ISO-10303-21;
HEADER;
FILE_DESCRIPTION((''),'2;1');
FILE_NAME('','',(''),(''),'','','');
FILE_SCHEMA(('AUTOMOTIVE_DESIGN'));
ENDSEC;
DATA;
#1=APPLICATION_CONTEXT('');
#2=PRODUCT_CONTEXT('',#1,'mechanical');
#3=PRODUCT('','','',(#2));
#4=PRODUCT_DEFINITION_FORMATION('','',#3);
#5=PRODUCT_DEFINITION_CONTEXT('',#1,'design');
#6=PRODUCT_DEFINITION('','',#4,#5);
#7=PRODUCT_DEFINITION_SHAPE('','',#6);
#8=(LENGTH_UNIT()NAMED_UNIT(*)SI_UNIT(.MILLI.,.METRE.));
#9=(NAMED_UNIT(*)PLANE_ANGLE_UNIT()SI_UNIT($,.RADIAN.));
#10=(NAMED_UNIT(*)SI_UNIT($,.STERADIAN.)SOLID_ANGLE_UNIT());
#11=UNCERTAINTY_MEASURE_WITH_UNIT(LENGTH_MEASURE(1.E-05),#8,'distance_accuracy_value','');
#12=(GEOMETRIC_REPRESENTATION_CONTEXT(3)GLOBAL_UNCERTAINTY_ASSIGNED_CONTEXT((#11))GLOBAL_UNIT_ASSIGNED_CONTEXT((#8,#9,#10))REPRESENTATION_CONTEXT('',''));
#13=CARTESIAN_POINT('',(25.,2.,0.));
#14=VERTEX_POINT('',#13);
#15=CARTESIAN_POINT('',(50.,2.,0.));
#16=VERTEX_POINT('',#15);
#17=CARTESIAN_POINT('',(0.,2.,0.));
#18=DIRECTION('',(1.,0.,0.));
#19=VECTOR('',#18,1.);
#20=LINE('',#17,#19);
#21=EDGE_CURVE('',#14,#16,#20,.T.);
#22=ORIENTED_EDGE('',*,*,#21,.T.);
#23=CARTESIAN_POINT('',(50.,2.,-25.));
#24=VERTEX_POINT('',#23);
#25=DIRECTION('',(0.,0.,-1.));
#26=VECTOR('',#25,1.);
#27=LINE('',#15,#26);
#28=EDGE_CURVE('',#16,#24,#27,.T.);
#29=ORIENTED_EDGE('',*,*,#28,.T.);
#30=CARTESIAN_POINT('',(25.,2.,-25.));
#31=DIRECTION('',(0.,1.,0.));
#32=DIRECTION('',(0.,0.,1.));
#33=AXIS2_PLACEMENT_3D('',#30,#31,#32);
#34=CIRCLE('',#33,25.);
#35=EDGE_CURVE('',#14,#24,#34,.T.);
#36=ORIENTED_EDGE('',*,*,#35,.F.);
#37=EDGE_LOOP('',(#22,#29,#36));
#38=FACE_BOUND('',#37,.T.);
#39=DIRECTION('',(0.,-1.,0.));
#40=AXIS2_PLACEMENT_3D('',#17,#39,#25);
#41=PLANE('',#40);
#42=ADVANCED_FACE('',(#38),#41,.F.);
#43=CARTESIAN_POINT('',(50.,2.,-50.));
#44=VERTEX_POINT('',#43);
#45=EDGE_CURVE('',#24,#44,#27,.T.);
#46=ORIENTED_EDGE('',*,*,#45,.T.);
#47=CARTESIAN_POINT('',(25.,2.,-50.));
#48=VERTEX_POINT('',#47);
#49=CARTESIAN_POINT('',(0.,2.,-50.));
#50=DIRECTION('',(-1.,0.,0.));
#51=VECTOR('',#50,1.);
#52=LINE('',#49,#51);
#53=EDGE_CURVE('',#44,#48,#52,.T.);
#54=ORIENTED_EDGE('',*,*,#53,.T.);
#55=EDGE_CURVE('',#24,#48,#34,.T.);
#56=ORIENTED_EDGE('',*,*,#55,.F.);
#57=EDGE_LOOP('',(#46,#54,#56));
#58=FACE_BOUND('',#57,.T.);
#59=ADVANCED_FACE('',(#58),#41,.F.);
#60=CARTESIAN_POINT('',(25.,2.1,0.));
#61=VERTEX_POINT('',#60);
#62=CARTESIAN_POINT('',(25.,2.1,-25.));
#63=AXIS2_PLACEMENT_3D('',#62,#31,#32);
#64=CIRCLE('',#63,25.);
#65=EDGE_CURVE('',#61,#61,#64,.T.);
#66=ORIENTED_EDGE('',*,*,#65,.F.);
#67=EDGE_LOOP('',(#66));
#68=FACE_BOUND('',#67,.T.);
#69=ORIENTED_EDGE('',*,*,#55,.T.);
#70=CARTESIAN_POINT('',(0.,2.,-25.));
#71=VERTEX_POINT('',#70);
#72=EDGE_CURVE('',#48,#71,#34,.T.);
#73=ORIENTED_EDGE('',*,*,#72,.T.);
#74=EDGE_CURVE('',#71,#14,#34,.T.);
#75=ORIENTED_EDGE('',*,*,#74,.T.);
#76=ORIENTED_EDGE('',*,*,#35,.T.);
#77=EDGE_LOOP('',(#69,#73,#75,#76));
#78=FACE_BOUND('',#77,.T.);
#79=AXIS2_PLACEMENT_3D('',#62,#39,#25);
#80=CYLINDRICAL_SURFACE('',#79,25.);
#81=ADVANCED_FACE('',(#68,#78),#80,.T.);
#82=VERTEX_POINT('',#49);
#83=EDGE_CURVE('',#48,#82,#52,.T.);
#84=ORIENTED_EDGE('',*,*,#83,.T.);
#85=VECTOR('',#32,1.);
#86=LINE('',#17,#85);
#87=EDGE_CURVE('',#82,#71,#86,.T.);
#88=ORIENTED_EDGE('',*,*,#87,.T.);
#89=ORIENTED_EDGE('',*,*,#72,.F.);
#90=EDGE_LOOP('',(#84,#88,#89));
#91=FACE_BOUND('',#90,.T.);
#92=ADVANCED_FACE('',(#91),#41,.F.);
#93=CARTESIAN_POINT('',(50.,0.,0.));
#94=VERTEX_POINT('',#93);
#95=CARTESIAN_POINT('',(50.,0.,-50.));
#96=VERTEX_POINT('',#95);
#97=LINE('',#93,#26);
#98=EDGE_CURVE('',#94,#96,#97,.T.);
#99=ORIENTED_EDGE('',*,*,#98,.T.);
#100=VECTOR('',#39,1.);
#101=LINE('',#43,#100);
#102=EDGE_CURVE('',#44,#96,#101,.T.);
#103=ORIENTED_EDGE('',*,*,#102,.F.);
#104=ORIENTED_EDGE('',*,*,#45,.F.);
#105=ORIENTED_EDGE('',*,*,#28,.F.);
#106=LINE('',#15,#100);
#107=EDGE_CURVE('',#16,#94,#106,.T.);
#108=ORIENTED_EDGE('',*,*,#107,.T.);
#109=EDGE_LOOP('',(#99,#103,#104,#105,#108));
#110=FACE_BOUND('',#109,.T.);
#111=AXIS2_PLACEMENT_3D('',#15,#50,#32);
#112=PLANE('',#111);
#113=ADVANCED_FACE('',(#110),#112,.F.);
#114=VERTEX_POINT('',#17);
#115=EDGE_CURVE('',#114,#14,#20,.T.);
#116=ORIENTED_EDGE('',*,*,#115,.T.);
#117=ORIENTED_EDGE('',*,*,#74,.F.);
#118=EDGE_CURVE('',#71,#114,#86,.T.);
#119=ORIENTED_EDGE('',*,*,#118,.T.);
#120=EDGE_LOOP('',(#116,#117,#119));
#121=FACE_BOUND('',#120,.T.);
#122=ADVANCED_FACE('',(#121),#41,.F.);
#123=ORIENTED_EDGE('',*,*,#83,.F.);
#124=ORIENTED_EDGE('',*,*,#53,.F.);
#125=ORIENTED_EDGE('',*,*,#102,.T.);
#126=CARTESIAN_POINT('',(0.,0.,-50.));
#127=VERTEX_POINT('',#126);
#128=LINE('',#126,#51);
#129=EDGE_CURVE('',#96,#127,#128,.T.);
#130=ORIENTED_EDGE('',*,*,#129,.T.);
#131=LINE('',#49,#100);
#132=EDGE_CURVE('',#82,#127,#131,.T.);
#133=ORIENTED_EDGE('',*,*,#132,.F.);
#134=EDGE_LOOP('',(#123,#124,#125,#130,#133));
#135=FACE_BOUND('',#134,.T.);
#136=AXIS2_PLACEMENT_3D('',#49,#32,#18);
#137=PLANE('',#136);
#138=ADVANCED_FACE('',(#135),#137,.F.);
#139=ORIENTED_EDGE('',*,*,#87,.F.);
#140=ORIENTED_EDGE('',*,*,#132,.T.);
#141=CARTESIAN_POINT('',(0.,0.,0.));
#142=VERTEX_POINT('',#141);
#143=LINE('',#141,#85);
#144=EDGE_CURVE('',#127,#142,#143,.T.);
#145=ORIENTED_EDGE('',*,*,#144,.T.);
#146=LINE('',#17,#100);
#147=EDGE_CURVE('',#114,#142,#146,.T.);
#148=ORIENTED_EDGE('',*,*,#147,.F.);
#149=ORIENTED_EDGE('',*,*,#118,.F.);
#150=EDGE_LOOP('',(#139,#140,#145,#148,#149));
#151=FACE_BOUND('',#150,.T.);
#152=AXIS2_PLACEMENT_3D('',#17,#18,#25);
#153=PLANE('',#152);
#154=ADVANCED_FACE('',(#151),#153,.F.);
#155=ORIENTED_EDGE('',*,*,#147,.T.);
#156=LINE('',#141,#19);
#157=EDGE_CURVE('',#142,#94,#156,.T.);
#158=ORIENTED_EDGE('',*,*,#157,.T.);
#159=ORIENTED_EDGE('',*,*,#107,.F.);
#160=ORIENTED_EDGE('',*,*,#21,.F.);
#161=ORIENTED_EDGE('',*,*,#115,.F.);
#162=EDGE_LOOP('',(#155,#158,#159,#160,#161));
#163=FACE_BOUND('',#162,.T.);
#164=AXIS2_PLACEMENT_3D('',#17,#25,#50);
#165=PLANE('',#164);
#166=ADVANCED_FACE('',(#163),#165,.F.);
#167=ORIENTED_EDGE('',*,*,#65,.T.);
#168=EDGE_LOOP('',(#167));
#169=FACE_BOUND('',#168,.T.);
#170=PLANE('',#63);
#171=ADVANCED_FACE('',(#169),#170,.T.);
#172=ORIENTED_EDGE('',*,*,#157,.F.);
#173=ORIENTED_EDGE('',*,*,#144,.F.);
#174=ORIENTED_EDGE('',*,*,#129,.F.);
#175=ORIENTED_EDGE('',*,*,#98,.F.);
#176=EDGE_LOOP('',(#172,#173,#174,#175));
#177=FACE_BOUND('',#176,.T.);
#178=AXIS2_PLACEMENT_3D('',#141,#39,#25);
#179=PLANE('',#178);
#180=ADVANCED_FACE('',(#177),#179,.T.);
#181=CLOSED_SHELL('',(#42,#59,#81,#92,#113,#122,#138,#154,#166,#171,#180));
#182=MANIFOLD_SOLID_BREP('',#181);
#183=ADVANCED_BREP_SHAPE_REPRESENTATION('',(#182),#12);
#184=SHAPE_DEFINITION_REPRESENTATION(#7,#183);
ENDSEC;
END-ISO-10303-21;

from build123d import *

# Parameters (mm, degrees)
SKETCH1_W           = 50
SKETCH1_H           = 50
BOSS_EXTRUDE1_DEPTH = 2
SKETCH2_R           = 25
BOSS_EXTRUDE2_DEPTH = 0.1


with BuildPart() as part:
    # Sketch1 → Boss-Extrude1 (new body)
    with BuildSketch(Plane(origin=(0, 0, 0), x_dir=(1, 0, 0), z_dir=(0, 1, 0))):
        with Locations((25, 25)):
            Rectangle(SKETCH1_W, SKETCH1_H)
    extrude(amount=BOSS_EXTRUDE1_DEPTH)

    # Sketch2 → Boss-Extrude2 (add)
    with BuildSketch(Plane(origin=(0, 2, 0), x_dir=(1, 0, 0), z_dir=(0, 1, 0))):
        with Locations(Location((25, 25, 0), (0, 0, 270))):
            Circle(SKETCH2_R)
    extrude(amount=BOSS_EXTRUDE2_DEPTH)


solid = part.part
